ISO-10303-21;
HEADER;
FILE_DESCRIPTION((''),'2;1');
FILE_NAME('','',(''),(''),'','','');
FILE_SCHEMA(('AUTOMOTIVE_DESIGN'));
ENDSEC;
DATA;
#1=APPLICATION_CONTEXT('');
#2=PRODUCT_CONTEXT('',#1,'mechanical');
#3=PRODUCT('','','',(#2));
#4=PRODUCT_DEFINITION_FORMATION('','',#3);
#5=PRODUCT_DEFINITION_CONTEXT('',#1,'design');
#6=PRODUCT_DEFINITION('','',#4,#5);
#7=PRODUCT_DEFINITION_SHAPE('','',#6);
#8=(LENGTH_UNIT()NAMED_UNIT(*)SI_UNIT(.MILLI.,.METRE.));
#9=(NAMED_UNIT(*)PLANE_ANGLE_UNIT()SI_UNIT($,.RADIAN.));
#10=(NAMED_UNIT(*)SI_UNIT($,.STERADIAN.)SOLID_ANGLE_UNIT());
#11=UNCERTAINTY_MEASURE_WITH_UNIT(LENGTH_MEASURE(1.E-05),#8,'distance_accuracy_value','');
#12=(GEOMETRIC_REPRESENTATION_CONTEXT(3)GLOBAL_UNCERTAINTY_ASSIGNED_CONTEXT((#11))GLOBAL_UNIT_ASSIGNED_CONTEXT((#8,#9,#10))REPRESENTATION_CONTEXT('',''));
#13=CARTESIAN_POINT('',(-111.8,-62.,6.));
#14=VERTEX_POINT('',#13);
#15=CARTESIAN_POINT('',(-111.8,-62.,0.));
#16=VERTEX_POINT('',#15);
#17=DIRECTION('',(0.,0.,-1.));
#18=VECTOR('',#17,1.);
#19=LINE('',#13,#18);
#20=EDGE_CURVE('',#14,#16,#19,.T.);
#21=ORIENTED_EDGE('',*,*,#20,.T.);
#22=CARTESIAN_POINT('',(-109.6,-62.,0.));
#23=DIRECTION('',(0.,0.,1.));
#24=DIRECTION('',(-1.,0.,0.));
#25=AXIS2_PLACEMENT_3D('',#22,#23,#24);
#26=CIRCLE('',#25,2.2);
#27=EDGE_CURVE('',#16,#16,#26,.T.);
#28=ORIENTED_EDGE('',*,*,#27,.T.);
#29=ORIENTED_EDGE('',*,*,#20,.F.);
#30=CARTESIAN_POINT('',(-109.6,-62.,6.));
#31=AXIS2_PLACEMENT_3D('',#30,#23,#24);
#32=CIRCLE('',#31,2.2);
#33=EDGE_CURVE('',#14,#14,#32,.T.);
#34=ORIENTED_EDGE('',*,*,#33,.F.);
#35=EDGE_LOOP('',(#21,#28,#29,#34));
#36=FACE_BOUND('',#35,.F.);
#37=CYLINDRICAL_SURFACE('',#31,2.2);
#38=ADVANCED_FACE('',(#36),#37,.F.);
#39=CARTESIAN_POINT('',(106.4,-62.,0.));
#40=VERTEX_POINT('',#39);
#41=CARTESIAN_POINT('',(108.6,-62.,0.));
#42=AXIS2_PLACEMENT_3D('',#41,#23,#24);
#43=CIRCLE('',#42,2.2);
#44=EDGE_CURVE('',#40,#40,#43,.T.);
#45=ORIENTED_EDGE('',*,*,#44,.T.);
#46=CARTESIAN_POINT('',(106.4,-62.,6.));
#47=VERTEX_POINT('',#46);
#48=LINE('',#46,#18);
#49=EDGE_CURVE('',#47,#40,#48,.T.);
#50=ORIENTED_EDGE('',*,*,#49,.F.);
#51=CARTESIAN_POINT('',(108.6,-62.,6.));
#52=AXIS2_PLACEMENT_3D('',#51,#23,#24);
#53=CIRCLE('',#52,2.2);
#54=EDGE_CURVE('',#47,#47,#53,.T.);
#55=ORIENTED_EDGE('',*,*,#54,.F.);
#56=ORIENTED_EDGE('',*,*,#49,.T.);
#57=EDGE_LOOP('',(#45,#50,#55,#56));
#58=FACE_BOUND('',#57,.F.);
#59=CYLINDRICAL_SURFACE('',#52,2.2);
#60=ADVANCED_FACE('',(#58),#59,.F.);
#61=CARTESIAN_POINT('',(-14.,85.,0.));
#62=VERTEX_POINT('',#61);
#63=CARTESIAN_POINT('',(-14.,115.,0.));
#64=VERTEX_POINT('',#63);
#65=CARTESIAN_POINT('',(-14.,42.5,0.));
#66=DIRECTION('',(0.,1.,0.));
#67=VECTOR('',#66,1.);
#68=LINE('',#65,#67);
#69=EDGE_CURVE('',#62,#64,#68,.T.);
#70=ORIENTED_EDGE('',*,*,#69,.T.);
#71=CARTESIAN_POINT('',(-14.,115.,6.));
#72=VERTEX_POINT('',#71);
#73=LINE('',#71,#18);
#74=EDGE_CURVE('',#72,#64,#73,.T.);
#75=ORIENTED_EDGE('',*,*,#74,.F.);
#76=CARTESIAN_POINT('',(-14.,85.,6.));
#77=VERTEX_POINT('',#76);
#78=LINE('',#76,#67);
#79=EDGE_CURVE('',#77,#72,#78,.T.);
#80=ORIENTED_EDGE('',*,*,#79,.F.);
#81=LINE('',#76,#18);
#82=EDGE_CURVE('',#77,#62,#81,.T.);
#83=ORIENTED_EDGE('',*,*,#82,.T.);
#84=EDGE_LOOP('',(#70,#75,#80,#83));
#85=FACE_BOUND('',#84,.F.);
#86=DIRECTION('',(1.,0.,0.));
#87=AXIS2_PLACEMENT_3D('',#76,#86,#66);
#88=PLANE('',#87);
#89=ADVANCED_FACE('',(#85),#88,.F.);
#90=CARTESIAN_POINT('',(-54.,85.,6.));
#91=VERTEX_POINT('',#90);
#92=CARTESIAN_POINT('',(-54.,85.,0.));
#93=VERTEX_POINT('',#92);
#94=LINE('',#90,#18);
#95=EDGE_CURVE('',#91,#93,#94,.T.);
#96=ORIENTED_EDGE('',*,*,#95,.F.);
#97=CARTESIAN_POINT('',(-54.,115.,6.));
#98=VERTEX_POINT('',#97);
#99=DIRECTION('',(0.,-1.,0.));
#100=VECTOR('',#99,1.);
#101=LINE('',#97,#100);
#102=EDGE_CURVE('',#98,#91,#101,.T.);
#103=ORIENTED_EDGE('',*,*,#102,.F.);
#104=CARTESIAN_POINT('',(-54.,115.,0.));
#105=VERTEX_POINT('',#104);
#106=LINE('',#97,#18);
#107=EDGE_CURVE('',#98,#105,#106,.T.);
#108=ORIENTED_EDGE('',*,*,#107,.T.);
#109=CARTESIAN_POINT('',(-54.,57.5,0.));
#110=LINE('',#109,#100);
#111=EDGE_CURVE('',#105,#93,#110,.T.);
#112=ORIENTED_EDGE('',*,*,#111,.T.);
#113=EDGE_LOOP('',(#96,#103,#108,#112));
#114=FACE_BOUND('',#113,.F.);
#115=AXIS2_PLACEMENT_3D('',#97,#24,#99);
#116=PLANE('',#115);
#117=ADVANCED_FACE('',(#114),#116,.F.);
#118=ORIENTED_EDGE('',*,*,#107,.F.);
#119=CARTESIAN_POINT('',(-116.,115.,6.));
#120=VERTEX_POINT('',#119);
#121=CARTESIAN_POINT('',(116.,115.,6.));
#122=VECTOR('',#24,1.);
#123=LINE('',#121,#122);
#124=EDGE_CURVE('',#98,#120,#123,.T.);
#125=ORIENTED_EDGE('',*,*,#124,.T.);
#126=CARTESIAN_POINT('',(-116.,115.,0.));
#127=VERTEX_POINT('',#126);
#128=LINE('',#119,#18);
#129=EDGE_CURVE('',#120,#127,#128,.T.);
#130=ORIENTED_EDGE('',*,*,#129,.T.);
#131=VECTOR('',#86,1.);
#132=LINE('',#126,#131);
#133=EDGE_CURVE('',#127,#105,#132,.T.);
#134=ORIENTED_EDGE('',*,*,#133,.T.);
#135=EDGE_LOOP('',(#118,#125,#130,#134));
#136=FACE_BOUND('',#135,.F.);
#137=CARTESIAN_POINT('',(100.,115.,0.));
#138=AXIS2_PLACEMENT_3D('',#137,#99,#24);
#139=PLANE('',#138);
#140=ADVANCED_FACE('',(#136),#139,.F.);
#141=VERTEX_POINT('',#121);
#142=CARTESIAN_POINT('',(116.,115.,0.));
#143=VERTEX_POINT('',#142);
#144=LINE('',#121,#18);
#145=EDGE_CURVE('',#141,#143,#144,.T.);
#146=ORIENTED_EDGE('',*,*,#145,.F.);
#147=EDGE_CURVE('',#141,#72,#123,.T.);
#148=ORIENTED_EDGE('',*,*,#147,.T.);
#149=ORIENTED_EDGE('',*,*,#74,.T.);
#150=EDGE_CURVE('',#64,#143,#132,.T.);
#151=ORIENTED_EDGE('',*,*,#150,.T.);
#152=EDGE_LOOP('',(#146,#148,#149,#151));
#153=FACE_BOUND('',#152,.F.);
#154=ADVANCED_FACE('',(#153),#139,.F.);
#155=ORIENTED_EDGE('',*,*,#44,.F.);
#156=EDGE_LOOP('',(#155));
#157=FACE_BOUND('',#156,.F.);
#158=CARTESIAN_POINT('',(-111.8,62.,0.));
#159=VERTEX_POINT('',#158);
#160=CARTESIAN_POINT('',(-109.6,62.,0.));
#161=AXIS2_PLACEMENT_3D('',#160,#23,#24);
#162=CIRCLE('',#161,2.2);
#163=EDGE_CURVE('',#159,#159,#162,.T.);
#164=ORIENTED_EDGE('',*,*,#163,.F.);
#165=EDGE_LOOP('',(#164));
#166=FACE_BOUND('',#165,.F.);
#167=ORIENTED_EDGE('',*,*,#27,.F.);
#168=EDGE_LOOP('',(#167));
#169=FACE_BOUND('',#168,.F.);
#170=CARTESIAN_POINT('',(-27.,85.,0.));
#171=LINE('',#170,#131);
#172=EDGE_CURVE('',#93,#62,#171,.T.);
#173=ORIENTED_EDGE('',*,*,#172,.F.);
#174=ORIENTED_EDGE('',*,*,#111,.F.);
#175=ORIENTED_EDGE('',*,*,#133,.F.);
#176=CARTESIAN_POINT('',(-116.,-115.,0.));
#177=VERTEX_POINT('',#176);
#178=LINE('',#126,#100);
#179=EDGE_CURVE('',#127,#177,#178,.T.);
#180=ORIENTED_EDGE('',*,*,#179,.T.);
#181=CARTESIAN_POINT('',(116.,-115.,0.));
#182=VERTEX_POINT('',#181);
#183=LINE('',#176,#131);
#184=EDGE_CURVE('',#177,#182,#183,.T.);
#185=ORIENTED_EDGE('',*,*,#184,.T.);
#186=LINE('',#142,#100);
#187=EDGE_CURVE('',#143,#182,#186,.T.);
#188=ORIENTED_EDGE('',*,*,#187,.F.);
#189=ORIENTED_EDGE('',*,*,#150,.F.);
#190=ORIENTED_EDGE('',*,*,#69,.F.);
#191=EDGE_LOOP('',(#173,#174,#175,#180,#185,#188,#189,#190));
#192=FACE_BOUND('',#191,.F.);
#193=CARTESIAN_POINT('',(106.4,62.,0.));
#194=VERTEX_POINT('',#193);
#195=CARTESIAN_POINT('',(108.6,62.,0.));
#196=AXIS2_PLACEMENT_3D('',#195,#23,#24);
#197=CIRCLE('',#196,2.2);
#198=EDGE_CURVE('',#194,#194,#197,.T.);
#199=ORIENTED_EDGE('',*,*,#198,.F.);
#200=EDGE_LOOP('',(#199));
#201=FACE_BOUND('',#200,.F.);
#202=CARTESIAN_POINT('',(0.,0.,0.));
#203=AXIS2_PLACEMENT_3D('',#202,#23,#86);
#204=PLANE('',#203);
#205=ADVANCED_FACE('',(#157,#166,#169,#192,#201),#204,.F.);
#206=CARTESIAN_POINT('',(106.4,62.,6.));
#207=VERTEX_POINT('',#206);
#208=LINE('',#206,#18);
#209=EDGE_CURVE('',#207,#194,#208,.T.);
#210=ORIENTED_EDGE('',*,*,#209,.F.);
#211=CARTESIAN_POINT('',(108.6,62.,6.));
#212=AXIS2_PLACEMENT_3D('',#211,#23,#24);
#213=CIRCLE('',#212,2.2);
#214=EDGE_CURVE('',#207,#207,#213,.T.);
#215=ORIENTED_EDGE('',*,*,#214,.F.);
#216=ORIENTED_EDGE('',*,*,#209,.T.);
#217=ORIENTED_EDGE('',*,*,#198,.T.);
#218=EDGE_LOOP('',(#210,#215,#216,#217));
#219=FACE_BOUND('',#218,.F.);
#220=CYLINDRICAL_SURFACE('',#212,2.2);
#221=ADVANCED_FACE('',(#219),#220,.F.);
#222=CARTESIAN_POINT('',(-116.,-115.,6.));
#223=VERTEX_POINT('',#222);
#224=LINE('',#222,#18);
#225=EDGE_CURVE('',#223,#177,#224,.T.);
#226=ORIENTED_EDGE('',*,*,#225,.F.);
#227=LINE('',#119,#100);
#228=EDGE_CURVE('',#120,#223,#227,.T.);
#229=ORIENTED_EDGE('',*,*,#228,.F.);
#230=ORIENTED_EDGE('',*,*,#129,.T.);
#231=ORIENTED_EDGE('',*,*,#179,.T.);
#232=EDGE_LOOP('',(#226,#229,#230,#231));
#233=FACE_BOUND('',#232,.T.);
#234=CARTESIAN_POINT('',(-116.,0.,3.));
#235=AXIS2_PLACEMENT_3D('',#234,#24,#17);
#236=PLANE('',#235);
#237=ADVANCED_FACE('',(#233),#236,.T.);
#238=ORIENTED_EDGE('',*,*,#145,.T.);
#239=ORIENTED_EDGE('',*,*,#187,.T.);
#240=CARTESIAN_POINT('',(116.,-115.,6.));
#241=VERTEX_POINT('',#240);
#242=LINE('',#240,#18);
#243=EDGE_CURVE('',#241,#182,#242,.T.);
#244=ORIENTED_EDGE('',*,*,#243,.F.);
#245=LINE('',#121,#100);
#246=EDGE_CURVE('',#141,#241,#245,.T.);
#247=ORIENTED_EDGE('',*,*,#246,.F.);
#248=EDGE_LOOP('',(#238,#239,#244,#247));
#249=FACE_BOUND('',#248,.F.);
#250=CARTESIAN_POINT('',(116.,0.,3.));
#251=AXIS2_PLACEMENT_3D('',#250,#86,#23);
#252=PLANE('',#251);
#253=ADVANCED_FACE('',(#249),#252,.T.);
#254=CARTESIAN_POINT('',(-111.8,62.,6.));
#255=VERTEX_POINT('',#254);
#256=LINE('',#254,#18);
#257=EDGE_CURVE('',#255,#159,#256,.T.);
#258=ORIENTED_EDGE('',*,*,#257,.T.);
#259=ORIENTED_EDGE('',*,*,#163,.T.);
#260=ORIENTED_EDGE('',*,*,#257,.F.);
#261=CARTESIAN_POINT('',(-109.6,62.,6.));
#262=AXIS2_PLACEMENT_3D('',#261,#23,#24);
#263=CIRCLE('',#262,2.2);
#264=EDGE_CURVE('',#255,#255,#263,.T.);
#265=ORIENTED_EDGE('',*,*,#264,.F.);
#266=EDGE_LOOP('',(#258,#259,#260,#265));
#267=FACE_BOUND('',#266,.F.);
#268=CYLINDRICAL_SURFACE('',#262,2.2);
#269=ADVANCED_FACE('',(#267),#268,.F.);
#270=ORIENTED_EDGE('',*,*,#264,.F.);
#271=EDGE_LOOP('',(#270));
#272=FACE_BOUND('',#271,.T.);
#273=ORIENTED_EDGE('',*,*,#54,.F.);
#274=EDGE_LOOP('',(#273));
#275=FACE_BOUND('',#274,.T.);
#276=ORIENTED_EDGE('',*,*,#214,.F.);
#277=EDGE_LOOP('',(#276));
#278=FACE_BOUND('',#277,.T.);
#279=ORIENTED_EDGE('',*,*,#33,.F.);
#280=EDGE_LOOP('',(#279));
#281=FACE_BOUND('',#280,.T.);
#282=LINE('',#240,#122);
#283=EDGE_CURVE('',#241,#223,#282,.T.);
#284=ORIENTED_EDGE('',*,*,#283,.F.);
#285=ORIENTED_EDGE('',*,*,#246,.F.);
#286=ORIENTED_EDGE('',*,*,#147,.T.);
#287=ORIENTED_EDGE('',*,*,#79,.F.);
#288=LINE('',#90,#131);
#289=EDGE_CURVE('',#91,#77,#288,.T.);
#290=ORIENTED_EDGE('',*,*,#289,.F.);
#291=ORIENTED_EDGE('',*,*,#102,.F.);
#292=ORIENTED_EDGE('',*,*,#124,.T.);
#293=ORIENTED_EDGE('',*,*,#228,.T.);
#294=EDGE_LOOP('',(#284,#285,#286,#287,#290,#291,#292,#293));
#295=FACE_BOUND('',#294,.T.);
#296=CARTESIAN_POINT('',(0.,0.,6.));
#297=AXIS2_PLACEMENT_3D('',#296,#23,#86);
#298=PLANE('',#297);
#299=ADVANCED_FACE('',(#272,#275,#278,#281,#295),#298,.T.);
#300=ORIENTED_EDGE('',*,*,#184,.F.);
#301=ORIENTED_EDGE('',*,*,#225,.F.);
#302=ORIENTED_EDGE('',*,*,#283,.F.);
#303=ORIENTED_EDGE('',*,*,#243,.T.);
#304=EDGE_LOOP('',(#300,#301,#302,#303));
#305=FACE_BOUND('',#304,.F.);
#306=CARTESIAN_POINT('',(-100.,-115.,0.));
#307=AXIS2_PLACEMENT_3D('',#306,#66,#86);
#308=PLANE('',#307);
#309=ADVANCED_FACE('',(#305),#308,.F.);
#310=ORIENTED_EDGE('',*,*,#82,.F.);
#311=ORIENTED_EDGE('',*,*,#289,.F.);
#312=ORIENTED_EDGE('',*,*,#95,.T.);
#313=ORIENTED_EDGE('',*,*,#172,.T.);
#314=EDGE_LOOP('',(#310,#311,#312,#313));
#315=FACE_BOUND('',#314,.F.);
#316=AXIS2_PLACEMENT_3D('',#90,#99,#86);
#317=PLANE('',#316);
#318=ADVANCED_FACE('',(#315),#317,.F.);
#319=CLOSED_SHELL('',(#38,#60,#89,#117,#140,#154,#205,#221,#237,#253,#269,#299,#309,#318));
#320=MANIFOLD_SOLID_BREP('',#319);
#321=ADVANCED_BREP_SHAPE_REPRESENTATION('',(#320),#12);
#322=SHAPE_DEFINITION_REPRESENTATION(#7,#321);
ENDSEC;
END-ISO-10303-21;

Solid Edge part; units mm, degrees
sketch "Sketch1" plane through (0, 0, 0) normal (0, 0, 1) x (1, 0, 0)
  line L0 (-100, -115) -> (100, -115)
  line L1 (100, -115) -> (100, 115)
  line L2 (100, 115) -> (-100, 115)
  line L3 (-100, 115) -> (-100, -115)
  dimension "D1" = 200
  dimension "D2" = 230
extrude "Protrusion1" add sketch "Sketch1" along normal blind 6
sketch "Sketch2" plane through (-100, 0, 3) normal (-1, 0, 0) x (0, -1, 0)
  line L0 (-115, -3) -> (115, -3)
  line L1 (115, 3) -> (115, -3)
  line L2 (-115, 3) -> (115, 3)
  line L3 (-115, 3) -> (-115, -3)
extrude "ExtrudedProtrusion_2" add sketch "Sketch2" along normal blind 16
mirror "Mirror1" about plane through (0, 0, 0) normal (1, 0, 0) of "ExtrudedProtrusion_2"
sketch "Sketch3" plane through (0, 0, 6) normal (0, 0, 1) x (1, 0, 0)
  line L0 (-54, 115) -> (-54, 85)
  line L1 (-54, 85) -> (-14, 85)
  line L2 (-14, 85) -> (-14, 115)
  line L3 (-14, 115) -> (-54, 115)
  dimension "D1" = 130
  dimension "D2" = 40
extrude "Cutout1" cut sketch "Sketch3" against normal through all
sketch "Sketch4" plane through (0, 0, 6) normal (0, 0, 1) x (-1, 0, 0)
  circle A0 centre (-108.6, 62) radius 2.2
  circle A1 centre (-108.6, -62) radius 2.2
  circle A2 centre (109.6, -62) radius 2.2
  circle A3 centre (109.6, 62) radius 2.2
extrude "Cutout2" cut sketch "Sketch4" against normal through all
properties material "Acrylic, high impact grade"
